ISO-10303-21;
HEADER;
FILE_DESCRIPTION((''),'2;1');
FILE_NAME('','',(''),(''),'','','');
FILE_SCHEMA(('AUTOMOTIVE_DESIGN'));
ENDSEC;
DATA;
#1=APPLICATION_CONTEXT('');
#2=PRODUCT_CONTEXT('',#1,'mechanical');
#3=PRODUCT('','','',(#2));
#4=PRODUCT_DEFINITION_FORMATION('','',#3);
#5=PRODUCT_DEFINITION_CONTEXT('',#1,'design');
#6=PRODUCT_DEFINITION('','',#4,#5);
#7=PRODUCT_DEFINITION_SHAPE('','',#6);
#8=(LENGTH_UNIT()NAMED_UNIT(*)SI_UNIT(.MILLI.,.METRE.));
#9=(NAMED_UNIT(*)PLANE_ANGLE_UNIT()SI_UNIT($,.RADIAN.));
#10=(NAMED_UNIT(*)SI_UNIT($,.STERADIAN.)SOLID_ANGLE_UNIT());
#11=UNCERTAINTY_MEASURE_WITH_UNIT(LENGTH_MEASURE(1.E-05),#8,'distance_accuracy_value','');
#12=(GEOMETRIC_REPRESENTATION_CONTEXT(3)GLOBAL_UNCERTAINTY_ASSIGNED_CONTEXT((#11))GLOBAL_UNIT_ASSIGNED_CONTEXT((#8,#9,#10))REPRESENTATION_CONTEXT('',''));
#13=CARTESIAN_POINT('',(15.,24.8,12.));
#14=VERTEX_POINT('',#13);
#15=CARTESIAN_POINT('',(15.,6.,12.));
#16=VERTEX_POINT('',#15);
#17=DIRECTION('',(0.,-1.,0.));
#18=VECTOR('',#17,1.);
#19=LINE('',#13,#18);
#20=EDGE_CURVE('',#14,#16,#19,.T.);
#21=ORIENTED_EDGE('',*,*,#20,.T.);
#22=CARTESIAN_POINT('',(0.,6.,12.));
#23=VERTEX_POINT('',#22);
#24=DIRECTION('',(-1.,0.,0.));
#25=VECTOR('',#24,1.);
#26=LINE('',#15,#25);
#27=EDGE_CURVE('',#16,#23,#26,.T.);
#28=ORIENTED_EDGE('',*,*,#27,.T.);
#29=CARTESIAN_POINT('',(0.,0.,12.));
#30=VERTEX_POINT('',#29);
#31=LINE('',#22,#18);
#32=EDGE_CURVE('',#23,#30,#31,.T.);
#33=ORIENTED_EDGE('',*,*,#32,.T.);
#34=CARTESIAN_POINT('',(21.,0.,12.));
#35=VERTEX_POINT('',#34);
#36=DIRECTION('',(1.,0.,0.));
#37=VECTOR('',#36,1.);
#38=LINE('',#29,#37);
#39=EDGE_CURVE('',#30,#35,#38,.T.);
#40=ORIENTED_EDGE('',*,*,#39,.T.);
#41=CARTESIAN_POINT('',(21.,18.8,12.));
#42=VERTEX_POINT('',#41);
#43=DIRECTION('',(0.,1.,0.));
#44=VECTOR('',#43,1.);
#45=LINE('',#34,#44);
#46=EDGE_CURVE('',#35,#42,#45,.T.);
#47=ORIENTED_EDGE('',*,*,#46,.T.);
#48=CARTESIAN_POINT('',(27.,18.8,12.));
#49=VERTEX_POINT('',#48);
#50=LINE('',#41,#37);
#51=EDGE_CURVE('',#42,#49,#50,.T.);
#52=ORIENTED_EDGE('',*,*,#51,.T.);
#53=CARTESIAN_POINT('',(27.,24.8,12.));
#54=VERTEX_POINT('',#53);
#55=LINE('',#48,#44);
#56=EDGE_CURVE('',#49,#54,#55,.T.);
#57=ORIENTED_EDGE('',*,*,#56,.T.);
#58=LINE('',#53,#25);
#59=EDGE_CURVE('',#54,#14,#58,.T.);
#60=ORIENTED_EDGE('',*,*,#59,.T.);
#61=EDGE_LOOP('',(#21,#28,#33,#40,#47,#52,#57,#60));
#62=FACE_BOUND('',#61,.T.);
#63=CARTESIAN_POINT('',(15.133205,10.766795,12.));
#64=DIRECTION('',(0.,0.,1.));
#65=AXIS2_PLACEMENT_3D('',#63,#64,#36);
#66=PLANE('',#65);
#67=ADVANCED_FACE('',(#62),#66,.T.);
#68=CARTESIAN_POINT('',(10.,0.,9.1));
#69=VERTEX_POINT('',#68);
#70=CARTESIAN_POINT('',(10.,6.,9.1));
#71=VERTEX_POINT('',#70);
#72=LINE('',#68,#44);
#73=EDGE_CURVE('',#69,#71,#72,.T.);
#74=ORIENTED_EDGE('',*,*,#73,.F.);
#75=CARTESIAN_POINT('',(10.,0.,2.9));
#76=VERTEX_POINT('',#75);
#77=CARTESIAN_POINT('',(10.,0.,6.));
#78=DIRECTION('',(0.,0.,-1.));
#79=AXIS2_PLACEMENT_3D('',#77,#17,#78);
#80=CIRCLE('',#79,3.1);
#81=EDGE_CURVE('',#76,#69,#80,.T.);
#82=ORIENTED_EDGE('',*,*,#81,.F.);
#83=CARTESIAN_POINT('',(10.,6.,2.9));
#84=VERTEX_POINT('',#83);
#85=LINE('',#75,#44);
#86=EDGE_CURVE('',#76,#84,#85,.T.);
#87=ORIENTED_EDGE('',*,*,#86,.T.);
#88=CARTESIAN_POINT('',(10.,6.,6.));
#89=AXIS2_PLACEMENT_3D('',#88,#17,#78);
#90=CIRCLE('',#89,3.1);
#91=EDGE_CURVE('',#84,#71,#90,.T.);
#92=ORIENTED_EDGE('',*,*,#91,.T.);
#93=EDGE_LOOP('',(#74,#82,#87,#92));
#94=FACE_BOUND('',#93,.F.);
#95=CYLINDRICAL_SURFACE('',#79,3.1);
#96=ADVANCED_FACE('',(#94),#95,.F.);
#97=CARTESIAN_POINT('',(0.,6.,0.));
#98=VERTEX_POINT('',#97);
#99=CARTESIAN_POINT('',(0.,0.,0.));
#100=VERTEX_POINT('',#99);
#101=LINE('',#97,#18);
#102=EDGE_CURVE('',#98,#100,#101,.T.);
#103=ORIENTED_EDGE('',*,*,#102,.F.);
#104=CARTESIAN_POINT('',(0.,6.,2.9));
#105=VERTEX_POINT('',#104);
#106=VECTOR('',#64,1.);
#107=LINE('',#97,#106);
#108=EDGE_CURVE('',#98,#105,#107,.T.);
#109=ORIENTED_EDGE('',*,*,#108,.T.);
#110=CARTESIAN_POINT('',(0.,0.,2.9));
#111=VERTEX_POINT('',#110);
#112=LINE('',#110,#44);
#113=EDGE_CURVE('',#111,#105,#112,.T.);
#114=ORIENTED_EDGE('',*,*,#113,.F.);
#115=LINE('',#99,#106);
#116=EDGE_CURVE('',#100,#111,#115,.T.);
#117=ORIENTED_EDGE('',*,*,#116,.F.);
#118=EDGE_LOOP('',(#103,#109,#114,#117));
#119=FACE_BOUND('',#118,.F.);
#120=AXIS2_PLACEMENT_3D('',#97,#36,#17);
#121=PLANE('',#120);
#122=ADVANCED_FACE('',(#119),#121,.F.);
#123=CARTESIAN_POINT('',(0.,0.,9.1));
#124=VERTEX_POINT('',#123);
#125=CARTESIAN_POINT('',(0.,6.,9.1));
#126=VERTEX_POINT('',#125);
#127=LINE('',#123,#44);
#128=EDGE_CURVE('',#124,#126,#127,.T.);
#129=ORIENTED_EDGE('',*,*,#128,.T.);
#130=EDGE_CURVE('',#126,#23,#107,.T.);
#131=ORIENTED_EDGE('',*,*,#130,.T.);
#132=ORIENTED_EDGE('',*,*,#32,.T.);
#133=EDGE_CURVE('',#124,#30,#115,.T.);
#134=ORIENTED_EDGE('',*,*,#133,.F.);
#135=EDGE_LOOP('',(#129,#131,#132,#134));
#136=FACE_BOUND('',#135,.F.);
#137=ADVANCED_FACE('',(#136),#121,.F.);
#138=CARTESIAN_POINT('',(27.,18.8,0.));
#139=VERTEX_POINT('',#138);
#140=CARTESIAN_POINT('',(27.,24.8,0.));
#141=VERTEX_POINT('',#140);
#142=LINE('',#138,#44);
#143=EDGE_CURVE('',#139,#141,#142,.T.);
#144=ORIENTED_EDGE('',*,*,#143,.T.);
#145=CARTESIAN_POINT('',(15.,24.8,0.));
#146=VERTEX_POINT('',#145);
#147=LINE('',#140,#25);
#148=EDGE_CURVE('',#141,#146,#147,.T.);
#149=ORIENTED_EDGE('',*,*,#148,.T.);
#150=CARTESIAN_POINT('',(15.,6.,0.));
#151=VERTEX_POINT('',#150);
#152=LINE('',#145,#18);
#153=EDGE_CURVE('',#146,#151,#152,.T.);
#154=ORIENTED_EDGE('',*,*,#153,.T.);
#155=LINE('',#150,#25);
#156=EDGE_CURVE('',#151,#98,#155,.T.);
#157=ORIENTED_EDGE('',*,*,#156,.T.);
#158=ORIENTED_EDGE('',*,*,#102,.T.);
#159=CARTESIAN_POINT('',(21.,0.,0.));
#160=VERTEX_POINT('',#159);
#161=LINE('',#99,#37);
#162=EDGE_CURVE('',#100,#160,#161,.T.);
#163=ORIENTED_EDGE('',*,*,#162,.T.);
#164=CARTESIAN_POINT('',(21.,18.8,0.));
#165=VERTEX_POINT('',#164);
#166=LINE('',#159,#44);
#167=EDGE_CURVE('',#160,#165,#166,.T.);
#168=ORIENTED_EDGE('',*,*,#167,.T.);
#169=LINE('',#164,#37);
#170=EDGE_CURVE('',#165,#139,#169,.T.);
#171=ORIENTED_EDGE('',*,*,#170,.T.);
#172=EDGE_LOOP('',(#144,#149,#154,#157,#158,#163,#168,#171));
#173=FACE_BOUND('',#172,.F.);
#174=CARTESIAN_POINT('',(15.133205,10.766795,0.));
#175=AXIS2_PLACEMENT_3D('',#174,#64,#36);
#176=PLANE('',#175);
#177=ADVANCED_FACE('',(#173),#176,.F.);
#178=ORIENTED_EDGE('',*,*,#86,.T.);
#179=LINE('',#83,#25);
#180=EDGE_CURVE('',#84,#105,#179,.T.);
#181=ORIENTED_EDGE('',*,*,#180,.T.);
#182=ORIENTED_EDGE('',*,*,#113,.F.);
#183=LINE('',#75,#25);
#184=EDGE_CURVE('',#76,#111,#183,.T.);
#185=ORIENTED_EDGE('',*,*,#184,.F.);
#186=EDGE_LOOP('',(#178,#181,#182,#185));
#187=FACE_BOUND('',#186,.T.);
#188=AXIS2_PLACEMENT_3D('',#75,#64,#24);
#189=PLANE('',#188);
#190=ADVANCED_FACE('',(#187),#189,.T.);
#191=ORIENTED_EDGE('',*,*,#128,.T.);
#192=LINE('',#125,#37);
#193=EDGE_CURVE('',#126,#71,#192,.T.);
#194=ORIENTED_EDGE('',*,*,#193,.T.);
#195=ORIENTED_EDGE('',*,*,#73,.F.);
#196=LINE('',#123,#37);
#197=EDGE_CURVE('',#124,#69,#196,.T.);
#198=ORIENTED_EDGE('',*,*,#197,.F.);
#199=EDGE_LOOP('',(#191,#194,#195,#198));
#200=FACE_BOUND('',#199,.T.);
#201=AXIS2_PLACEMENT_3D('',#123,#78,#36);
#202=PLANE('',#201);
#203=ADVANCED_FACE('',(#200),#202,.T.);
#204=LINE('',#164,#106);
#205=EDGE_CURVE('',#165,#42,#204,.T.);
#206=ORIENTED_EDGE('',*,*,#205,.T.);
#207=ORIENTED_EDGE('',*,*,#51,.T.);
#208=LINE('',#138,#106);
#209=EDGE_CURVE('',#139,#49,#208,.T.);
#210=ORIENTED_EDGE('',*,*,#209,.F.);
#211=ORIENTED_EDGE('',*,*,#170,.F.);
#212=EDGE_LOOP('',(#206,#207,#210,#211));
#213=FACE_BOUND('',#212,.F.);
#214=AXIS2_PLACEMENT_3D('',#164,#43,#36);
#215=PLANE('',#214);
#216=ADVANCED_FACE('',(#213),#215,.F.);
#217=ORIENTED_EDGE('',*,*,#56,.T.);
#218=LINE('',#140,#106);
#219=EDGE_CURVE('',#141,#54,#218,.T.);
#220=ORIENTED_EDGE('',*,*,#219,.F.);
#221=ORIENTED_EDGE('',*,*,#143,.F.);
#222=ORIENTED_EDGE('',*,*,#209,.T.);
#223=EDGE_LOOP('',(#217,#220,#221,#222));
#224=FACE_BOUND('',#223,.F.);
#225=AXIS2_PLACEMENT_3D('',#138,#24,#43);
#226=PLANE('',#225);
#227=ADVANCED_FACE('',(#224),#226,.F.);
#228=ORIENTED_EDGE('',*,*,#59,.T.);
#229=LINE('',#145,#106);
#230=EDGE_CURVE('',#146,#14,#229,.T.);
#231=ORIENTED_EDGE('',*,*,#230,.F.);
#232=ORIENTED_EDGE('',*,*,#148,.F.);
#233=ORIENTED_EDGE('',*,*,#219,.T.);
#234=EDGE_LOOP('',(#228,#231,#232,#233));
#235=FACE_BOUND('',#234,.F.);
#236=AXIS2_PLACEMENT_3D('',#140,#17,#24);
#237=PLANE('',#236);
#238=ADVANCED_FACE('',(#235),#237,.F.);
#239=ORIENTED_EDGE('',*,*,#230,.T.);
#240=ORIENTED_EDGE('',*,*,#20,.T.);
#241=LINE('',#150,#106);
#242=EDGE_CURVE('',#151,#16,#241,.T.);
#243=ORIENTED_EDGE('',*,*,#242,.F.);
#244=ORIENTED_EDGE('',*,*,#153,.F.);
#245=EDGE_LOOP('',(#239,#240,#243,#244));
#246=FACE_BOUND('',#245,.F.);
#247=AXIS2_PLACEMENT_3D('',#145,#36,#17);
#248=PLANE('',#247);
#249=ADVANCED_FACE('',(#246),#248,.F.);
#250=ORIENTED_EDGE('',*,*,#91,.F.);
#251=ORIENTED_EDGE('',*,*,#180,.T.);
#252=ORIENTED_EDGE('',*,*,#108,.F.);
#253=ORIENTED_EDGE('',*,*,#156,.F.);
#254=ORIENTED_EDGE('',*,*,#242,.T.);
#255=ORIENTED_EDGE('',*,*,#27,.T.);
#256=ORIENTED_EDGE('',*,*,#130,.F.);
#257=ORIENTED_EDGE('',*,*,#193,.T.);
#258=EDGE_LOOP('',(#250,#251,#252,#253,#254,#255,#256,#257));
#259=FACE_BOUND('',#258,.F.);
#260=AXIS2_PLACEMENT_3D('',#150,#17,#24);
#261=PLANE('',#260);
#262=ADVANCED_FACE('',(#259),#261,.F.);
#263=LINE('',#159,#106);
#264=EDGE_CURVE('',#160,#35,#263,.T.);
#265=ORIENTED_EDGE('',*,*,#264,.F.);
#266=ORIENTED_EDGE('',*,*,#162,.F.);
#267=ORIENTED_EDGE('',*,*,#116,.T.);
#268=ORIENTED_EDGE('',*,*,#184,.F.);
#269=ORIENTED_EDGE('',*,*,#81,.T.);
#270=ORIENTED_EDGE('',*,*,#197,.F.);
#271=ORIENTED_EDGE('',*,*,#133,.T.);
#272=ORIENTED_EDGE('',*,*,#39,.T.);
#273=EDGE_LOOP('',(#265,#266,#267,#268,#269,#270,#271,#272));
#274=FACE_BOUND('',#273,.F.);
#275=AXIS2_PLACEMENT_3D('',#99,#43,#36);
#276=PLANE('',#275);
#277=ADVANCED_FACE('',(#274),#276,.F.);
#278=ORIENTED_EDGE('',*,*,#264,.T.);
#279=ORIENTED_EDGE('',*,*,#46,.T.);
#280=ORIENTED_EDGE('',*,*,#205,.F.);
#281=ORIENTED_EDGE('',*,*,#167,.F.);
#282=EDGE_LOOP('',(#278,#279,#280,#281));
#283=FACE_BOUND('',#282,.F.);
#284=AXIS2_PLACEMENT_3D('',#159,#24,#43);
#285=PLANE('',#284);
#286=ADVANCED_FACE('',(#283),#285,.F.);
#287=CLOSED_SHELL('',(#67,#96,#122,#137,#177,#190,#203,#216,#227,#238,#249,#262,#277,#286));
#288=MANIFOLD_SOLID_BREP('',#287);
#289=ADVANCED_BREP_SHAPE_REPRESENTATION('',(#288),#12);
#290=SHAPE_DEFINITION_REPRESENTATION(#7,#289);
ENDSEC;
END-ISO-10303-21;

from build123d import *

# Parameters (mm, degrees)
PAD_DEPTH    = 12
POCKET_DEPTH = 6


with BuildPart() as part:
    # Sketch → Pad (new body)
    with BuildSketch(Plane.XY):
        Polygon((0, 0), (21, 0), (21, 18.8), (27, 18.8), (27, 24.8), (15, 24.8), (15, 6), (0, 6), align=None)
    extrude(amount=PAD_DEPTH)

    # Sketch002 (on Face1 of Pad) → Pocket (cut)
    with BuildSketch(Plane.XZ):
        with BuildLine():
            Line((0, 9.1), (10, 9.1))
            ThreePointArc((10, 2.9), (13.1, 6), (10, 9.1))
            Line((10, 2.9), (0, 2.9))
            ThreePointArc((0, 9.1), (-3.1, 6), (0, 2.9))
        make_face()
    extrude(amount=-POCKET_DEPTH, mode=Mode.SUBTRACT)


solid = part.part
